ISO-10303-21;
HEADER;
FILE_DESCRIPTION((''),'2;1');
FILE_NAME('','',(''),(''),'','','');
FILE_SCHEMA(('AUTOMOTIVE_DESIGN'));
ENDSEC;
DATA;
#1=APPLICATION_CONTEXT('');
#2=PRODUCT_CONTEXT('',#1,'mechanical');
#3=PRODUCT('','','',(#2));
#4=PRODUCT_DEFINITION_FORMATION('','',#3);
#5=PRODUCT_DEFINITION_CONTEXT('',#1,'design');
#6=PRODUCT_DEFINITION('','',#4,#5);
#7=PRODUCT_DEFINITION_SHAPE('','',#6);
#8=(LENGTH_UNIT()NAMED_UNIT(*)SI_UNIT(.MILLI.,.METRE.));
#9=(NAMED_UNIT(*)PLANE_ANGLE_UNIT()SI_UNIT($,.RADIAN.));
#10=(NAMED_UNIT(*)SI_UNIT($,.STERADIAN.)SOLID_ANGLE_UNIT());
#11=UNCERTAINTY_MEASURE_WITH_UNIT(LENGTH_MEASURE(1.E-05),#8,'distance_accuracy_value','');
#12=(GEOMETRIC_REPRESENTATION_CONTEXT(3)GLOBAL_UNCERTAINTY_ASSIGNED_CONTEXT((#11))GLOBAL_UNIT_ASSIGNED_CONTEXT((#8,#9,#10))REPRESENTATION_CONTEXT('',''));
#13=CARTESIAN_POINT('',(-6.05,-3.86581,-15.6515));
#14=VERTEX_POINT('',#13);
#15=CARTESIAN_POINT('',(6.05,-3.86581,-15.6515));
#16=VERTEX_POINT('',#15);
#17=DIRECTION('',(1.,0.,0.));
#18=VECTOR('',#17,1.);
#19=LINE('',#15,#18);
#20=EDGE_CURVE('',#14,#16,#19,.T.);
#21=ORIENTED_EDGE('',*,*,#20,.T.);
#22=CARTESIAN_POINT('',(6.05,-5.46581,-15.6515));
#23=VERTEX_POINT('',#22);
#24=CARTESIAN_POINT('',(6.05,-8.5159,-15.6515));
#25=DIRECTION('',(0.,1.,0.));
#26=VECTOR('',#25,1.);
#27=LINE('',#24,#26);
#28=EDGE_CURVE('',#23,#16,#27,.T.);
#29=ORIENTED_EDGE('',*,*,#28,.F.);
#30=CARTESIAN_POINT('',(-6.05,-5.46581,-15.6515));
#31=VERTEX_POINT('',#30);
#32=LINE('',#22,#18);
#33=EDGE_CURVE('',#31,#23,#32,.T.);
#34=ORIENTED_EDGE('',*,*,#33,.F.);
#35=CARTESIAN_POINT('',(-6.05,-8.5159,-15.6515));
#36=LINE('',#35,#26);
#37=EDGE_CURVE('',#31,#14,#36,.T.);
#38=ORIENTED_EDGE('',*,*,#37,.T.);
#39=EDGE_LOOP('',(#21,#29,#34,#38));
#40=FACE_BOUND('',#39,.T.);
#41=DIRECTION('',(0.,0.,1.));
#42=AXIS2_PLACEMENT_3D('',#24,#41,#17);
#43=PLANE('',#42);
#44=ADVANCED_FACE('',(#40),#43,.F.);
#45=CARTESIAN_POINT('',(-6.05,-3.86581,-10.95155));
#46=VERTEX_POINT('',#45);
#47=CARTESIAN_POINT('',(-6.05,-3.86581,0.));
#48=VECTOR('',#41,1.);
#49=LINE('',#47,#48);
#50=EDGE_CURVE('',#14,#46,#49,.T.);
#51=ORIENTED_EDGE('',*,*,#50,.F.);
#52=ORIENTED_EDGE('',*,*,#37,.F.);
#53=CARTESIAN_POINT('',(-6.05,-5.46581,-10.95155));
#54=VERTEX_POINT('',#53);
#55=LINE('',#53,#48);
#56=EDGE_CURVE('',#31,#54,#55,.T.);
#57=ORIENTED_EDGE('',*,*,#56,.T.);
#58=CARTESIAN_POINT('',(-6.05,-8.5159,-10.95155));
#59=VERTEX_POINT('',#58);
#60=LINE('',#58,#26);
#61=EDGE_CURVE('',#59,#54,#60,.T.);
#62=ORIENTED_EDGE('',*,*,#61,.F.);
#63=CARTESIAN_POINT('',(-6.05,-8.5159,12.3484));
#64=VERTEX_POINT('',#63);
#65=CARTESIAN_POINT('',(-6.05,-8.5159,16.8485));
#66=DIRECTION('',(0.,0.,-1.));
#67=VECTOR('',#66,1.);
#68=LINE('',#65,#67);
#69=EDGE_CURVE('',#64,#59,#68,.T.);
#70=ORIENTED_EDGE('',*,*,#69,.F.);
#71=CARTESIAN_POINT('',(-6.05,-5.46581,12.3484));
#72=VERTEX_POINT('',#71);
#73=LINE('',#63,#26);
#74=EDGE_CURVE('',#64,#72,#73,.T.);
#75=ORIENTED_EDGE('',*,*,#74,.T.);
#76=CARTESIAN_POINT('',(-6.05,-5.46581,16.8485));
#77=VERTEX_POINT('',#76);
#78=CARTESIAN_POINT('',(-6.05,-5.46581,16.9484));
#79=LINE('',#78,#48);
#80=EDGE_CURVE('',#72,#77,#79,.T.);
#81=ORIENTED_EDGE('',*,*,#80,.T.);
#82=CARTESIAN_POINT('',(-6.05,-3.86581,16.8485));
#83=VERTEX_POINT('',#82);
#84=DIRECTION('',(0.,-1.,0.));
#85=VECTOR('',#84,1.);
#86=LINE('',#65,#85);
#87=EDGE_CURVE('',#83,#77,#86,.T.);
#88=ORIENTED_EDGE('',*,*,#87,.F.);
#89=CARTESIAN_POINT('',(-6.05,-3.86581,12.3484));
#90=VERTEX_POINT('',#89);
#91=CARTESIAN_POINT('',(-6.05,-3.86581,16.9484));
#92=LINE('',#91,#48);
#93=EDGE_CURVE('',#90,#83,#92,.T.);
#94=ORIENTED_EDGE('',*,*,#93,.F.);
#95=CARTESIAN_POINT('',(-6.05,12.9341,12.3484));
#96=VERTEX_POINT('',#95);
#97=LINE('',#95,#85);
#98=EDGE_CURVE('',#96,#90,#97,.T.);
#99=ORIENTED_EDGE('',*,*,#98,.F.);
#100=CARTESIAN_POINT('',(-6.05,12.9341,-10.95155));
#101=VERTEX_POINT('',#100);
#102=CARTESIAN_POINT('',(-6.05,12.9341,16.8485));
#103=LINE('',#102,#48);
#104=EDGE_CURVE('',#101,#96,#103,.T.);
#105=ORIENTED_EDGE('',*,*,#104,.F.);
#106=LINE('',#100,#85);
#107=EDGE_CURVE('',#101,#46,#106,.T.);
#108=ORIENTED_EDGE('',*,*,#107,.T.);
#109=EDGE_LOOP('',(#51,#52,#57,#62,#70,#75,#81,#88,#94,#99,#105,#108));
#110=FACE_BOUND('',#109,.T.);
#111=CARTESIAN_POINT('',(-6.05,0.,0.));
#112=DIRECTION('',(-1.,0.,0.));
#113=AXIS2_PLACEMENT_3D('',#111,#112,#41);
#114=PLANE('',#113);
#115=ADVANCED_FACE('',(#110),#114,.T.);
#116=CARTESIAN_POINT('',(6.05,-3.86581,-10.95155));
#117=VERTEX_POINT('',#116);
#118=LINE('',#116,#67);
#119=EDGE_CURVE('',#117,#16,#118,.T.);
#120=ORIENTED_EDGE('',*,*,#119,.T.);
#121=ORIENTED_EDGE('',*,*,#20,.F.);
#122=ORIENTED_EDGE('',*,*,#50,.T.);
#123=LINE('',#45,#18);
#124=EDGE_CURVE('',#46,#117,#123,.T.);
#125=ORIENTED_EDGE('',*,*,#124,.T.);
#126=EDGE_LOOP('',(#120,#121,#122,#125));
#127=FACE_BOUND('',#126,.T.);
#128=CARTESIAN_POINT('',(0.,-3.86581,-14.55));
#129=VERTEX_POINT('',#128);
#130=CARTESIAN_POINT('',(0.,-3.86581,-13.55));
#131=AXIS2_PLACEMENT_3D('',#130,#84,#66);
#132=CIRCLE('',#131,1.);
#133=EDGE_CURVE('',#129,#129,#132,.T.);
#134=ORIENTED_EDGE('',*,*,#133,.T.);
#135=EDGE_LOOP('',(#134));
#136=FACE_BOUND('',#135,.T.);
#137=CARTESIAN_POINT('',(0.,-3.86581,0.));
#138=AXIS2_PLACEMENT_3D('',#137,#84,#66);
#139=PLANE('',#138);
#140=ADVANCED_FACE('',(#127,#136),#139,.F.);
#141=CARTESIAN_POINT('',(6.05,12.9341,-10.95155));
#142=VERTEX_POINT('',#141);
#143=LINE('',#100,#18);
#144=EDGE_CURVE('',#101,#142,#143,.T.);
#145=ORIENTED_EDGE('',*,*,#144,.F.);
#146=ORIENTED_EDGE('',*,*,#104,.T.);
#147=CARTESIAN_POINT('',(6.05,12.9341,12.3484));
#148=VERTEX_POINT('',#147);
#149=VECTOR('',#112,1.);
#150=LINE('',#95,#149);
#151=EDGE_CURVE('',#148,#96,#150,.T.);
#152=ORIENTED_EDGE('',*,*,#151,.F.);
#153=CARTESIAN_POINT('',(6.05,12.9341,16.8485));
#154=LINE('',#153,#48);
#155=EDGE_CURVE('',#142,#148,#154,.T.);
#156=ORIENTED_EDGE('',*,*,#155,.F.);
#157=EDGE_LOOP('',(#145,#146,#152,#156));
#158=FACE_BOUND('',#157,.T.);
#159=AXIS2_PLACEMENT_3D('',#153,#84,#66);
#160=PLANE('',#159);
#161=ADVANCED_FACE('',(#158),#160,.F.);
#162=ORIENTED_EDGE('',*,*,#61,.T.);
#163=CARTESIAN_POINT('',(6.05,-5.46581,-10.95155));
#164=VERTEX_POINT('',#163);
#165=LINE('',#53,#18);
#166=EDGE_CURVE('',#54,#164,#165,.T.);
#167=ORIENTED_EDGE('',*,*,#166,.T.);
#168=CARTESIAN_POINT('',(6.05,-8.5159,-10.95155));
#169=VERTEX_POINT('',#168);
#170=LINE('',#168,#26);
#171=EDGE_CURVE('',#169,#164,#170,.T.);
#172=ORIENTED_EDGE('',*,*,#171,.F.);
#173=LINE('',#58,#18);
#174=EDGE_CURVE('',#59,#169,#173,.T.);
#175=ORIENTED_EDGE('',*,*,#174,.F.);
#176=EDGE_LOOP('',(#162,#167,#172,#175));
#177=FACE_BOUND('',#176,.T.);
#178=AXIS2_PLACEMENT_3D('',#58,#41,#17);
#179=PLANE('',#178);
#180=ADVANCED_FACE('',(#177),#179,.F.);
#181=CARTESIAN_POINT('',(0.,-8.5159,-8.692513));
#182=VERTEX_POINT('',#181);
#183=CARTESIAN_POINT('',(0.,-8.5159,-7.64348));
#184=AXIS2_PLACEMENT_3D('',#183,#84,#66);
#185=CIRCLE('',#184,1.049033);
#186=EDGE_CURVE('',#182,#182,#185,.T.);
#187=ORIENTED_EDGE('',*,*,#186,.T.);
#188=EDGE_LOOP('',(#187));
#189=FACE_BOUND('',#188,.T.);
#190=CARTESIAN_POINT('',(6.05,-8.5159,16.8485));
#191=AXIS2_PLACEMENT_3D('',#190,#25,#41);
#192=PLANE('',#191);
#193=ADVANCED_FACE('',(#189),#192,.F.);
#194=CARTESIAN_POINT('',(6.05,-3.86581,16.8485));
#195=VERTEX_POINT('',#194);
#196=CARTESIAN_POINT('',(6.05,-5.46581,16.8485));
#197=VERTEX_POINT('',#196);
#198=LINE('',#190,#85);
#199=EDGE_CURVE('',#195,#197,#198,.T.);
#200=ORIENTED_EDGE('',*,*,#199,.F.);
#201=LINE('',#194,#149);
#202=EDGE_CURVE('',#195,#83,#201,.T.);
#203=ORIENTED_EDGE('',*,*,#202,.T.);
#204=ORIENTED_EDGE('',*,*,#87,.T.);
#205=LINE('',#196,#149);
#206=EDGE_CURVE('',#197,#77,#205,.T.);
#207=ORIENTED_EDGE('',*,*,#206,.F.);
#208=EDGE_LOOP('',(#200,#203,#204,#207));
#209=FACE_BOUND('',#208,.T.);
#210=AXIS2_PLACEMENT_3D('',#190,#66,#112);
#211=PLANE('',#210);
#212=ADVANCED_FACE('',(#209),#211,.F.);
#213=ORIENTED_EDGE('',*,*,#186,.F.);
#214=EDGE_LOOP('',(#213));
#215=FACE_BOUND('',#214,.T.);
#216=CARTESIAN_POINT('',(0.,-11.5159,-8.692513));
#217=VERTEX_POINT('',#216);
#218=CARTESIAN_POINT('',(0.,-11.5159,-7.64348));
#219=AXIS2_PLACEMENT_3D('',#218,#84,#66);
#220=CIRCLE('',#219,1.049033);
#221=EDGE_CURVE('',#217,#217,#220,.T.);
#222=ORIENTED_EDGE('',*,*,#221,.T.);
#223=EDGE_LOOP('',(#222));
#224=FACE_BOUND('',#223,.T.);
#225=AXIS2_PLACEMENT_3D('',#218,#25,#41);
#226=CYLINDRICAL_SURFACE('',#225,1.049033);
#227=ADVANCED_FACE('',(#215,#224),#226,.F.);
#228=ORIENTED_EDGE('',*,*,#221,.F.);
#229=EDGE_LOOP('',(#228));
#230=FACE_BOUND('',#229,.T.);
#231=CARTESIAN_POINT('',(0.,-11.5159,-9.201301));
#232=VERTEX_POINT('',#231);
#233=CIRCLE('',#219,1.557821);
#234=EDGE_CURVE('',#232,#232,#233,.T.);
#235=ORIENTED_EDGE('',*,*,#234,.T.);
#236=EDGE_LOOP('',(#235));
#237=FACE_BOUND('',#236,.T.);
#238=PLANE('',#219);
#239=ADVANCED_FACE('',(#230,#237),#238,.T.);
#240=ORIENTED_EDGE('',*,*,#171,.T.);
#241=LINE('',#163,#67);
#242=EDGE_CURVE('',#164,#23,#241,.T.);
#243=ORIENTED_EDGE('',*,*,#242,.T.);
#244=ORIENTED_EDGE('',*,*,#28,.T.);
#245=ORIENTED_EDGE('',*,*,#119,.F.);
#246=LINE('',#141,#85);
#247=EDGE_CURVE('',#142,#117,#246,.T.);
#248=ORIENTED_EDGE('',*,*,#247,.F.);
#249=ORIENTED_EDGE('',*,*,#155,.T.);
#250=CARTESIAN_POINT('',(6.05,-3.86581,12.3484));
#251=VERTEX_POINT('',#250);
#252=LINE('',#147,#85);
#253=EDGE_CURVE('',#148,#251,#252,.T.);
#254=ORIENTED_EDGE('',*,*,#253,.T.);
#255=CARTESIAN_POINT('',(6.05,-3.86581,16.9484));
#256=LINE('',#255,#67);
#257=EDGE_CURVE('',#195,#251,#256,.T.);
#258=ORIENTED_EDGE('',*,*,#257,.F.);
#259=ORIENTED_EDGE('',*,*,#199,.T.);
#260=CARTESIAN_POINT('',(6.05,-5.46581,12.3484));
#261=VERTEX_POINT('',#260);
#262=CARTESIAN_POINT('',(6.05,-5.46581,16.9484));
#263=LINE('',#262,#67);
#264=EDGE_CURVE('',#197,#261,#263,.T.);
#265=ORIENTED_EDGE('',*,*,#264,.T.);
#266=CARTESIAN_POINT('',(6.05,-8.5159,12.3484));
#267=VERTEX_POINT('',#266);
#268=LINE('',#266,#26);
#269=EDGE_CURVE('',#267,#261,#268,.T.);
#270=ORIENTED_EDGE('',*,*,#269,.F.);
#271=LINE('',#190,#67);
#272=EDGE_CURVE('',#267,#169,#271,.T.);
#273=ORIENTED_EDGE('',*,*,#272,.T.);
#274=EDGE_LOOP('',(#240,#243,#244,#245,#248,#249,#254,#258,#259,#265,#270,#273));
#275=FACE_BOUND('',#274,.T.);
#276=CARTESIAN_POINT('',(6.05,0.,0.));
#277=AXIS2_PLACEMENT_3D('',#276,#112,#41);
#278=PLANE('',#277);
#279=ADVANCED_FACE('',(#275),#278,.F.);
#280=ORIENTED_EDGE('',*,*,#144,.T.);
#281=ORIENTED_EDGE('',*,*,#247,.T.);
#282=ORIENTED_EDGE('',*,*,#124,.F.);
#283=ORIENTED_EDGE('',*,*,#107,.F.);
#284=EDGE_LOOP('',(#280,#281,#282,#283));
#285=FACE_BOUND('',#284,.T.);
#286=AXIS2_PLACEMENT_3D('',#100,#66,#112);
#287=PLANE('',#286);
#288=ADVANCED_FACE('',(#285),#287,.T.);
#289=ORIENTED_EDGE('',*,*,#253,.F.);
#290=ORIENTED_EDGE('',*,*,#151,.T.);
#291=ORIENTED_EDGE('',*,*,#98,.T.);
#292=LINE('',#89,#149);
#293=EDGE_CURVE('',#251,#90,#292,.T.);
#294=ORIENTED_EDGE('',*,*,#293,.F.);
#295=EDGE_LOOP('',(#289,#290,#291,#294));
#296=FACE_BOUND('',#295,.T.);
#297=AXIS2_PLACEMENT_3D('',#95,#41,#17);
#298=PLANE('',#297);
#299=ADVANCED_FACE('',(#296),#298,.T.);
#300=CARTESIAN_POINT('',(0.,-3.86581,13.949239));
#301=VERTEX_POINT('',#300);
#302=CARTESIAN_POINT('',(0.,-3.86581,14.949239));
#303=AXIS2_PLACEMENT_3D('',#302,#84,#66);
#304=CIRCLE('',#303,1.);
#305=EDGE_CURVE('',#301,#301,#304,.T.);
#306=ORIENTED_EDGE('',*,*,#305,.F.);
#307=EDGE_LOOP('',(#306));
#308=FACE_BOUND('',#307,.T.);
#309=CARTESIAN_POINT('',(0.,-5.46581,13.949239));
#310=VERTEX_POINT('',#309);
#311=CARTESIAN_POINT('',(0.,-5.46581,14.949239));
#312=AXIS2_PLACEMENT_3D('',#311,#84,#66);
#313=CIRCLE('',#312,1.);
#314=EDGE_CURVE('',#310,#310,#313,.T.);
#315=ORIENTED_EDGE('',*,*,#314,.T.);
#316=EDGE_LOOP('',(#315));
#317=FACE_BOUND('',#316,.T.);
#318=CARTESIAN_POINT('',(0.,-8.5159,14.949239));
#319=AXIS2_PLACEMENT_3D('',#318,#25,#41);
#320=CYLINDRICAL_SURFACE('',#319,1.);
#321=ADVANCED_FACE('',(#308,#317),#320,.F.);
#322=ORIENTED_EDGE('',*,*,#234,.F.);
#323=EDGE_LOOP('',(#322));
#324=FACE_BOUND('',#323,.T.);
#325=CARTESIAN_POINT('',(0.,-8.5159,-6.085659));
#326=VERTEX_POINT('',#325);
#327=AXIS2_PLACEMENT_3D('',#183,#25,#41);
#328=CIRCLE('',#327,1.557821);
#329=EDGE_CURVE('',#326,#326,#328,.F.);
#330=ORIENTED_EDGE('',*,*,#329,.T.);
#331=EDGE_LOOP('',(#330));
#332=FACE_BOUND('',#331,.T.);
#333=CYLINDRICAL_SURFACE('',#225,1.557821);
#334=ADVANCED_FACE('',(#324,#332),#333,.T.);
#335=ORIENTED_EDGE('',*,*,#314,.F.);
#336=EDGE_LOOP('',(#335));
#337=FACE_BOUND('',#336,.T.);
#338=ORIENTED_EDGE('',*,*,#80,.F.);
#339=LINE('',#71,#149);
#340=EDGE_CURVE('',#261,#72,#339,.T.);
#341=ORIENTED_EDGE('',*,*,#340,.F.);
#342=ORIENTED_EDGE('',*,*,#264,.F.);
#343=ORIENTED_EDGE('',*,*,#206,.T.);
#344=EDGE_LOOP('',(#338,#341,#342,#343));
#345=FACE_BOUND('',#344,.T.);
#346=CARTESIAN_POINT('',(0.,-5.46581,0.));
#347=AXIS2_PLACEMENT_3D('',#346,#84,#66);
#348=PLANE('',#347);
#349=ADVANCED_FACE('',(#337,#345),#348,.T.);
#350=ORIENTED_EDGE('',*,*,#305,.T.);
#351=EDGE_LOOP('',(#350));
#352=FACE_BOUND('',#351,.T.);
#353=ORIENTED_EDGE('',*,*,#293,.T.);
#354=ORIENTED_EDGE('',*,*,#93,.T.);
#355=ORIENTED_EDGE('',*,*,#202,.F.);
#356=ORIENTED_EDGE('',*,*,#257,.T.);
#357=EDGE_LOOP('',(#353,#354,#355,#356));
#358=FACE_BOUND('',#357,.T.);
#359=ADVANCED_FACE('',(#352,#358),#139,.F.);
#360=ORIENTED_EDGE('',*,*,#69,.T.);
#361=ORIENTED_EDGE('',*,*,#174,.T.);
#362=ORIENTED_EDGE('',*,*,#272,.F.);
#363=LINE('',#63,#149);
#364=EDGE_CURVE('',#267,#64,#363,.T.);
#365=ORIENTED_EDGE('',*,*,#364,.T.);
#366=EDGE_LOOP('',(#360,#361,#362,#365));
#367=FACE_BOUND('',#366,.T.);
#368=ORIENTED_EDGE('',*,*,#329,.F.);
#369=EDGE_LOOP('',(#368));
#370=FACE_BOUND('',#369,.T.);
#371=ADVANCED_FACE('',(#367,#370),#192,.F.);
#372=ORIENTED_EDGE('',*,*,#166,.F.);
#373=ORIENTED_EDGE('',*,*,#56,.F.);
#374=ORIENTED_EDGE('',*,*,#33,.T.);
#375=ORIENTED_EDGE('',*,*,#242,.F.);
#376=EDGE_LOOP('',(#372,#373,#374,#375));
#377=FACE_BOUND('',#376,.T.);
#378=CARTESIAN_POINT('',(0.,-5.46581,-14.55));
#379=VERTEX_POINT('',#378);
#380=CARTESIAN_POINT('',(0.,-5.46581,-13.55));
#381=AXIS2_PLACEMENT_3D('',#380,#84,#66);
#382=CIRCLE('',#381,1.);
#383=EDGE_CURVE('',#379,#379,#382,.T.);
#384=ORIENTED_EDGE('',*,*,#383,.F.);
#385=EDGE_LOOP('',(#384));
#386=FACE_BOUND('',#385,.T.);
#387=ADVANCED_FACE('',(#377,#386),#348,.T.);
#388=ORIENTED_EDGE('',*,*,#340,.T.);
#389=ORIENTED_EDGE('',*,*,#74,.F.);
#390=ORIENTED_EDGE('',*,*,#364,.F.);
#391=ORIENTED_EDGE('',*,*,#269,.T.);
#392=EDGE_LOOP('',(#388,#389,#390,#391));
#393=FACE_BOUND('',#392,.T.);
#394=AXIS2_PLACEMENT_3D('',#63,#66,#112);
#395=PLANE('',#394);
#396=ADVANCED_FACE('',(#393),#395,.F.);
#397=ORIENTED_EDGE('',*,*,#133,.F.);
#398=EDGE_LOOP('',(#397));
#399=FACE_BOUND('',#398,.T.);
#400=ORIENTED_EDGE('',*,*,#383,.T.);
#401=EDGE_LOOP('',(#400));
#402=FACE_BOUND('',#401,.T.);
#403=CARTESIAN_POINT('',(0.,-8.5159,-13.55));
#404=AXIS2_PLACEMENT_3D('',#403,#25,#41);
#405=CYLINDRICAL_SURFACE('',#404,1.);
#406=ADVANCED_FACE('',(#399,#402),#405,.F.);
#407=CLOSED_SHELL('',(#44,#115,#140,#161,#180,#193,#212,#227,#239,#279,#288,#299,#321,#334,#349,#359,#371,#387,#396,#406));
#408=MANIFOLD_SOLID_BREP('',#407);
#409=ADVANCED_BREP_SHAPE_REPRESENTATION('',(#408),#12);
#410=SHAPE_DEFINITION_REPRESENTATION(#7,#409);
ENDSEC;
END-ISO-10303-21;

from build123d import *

# Parameters (mm, degrees)
SKETCH_3_W          = 32.5
SKETCH_3_H          = 21.45
EXTRUDE_1_DEPTH     = 6.05
CUT_EXTRUDE_START   = -3.86581
SKETCH_4_W          = 12.1
SKETCH_4_H          = 4.7
SKETCH_4_H_2        = 4.6
CUT_EXTRUDE_1_DEPTH = 26.951221363
CUT_EXTRUDE_START_2 = -5.46581
SKETCH_4_2_W        = 12.1
SKETCH_4_2_H        = 4.7
SKETCH_4_2_H_2      = 4.6
CUT_EXTRUDE_2_DEPTH = 17.619601363
SKETCH_5_R          = 1
CUT_EXTRUDE_3_DEPTH = 23.085411363
SKETCH_7_R          = 1.557821419
SKETCH_7_R_2        = 1.04903278
EXTRUDE_3_DEPTH     = 3


with BuildPart() as part:
    # 草图3 → 凸台-拉伸1 (new, symmetric)
    with BuildSketch(Plane(origin=(0, 0, 0), x_dir=(0, 0, -1), z_dir=(1, 0, 0))):
        with Locations((-0.5985, 2.2091)):
            Rectangle(SKETCH_3_W, SKETCH_3_H)
    extrude(amount=EXTRUDE_1_DEPTH, both=True)

    # 草图4 → 切除-拉伸1 (cut, through all)
    with BuildSketch(Plane(origin=(0, 0, 0), x_dir=(1, 0, 0), z_dir=(0, 1, 0)).offset(CUT_EXTRUDE_START)):
        with Locations((0, 13.30155)):
            Rectangle(SKETCH_4_W, SKETCH_4_H)
        with Locations((0, -14.6484)):
            Rectangle(SKETCH_4_W, SKETCH_4_H_2)
    extrude(amount=CUT_EXTRUDE_1_DEPTH, mode=Mode.SUBTRACT)

    # 草图4<2> → 切除-拉伸2 (cut, through all)
    with BuildSketch(Plane(origin=(0, 0, 0), x_dir=(1, 0, 0), z_dir=(0, 1, 0)).offset(CUT_EXTRUDE_START_2)):
        with Locations((0, 13.30155)):
            Rectangle(SKETCH_4_2_W, SKETCH_4_2_H)
        with Locations((0, -14.6484)):
            Rectangle(SKETCH_4_2_W, SKETCH_4_2_H_2)
    extrude(amount=-CUT_EXTRUDE_2_DEPTH, mode=Mode.SUBTRACT)

    # 草图5 → 切除-拉伸3 (cut, through all)
    with BuildSketch(Plane(origin=(0, 0, 0), x_dir=(1, 0, 0), z_dir=(0, 1, 0))):
        with Locations((0, 13.55)):
            Circle(SKETCH_5_R)
        with Locations((0, -14.949238683)):
            Circle(SKETCH_5_R)
    extrude(amount=-CUT_EXTRUDE_3_DEPTH, mode=Mode.SUBTRACT)

    # 草图7 → 凸台-拉伸3 (add)
    with BuildSketch(Plane.XZ.offset(8.5159)):
        with Locations((0, -7.64347992)):
            Circle(SKETCH_7_R)
        with Locations((0, -7.64347992)):
            Circle(SKETCH_7_R_2, mode=Mode.SUBTRACT)
    extrude(amount=EXTRUDE_3_DEPTH)


solid = part.part
